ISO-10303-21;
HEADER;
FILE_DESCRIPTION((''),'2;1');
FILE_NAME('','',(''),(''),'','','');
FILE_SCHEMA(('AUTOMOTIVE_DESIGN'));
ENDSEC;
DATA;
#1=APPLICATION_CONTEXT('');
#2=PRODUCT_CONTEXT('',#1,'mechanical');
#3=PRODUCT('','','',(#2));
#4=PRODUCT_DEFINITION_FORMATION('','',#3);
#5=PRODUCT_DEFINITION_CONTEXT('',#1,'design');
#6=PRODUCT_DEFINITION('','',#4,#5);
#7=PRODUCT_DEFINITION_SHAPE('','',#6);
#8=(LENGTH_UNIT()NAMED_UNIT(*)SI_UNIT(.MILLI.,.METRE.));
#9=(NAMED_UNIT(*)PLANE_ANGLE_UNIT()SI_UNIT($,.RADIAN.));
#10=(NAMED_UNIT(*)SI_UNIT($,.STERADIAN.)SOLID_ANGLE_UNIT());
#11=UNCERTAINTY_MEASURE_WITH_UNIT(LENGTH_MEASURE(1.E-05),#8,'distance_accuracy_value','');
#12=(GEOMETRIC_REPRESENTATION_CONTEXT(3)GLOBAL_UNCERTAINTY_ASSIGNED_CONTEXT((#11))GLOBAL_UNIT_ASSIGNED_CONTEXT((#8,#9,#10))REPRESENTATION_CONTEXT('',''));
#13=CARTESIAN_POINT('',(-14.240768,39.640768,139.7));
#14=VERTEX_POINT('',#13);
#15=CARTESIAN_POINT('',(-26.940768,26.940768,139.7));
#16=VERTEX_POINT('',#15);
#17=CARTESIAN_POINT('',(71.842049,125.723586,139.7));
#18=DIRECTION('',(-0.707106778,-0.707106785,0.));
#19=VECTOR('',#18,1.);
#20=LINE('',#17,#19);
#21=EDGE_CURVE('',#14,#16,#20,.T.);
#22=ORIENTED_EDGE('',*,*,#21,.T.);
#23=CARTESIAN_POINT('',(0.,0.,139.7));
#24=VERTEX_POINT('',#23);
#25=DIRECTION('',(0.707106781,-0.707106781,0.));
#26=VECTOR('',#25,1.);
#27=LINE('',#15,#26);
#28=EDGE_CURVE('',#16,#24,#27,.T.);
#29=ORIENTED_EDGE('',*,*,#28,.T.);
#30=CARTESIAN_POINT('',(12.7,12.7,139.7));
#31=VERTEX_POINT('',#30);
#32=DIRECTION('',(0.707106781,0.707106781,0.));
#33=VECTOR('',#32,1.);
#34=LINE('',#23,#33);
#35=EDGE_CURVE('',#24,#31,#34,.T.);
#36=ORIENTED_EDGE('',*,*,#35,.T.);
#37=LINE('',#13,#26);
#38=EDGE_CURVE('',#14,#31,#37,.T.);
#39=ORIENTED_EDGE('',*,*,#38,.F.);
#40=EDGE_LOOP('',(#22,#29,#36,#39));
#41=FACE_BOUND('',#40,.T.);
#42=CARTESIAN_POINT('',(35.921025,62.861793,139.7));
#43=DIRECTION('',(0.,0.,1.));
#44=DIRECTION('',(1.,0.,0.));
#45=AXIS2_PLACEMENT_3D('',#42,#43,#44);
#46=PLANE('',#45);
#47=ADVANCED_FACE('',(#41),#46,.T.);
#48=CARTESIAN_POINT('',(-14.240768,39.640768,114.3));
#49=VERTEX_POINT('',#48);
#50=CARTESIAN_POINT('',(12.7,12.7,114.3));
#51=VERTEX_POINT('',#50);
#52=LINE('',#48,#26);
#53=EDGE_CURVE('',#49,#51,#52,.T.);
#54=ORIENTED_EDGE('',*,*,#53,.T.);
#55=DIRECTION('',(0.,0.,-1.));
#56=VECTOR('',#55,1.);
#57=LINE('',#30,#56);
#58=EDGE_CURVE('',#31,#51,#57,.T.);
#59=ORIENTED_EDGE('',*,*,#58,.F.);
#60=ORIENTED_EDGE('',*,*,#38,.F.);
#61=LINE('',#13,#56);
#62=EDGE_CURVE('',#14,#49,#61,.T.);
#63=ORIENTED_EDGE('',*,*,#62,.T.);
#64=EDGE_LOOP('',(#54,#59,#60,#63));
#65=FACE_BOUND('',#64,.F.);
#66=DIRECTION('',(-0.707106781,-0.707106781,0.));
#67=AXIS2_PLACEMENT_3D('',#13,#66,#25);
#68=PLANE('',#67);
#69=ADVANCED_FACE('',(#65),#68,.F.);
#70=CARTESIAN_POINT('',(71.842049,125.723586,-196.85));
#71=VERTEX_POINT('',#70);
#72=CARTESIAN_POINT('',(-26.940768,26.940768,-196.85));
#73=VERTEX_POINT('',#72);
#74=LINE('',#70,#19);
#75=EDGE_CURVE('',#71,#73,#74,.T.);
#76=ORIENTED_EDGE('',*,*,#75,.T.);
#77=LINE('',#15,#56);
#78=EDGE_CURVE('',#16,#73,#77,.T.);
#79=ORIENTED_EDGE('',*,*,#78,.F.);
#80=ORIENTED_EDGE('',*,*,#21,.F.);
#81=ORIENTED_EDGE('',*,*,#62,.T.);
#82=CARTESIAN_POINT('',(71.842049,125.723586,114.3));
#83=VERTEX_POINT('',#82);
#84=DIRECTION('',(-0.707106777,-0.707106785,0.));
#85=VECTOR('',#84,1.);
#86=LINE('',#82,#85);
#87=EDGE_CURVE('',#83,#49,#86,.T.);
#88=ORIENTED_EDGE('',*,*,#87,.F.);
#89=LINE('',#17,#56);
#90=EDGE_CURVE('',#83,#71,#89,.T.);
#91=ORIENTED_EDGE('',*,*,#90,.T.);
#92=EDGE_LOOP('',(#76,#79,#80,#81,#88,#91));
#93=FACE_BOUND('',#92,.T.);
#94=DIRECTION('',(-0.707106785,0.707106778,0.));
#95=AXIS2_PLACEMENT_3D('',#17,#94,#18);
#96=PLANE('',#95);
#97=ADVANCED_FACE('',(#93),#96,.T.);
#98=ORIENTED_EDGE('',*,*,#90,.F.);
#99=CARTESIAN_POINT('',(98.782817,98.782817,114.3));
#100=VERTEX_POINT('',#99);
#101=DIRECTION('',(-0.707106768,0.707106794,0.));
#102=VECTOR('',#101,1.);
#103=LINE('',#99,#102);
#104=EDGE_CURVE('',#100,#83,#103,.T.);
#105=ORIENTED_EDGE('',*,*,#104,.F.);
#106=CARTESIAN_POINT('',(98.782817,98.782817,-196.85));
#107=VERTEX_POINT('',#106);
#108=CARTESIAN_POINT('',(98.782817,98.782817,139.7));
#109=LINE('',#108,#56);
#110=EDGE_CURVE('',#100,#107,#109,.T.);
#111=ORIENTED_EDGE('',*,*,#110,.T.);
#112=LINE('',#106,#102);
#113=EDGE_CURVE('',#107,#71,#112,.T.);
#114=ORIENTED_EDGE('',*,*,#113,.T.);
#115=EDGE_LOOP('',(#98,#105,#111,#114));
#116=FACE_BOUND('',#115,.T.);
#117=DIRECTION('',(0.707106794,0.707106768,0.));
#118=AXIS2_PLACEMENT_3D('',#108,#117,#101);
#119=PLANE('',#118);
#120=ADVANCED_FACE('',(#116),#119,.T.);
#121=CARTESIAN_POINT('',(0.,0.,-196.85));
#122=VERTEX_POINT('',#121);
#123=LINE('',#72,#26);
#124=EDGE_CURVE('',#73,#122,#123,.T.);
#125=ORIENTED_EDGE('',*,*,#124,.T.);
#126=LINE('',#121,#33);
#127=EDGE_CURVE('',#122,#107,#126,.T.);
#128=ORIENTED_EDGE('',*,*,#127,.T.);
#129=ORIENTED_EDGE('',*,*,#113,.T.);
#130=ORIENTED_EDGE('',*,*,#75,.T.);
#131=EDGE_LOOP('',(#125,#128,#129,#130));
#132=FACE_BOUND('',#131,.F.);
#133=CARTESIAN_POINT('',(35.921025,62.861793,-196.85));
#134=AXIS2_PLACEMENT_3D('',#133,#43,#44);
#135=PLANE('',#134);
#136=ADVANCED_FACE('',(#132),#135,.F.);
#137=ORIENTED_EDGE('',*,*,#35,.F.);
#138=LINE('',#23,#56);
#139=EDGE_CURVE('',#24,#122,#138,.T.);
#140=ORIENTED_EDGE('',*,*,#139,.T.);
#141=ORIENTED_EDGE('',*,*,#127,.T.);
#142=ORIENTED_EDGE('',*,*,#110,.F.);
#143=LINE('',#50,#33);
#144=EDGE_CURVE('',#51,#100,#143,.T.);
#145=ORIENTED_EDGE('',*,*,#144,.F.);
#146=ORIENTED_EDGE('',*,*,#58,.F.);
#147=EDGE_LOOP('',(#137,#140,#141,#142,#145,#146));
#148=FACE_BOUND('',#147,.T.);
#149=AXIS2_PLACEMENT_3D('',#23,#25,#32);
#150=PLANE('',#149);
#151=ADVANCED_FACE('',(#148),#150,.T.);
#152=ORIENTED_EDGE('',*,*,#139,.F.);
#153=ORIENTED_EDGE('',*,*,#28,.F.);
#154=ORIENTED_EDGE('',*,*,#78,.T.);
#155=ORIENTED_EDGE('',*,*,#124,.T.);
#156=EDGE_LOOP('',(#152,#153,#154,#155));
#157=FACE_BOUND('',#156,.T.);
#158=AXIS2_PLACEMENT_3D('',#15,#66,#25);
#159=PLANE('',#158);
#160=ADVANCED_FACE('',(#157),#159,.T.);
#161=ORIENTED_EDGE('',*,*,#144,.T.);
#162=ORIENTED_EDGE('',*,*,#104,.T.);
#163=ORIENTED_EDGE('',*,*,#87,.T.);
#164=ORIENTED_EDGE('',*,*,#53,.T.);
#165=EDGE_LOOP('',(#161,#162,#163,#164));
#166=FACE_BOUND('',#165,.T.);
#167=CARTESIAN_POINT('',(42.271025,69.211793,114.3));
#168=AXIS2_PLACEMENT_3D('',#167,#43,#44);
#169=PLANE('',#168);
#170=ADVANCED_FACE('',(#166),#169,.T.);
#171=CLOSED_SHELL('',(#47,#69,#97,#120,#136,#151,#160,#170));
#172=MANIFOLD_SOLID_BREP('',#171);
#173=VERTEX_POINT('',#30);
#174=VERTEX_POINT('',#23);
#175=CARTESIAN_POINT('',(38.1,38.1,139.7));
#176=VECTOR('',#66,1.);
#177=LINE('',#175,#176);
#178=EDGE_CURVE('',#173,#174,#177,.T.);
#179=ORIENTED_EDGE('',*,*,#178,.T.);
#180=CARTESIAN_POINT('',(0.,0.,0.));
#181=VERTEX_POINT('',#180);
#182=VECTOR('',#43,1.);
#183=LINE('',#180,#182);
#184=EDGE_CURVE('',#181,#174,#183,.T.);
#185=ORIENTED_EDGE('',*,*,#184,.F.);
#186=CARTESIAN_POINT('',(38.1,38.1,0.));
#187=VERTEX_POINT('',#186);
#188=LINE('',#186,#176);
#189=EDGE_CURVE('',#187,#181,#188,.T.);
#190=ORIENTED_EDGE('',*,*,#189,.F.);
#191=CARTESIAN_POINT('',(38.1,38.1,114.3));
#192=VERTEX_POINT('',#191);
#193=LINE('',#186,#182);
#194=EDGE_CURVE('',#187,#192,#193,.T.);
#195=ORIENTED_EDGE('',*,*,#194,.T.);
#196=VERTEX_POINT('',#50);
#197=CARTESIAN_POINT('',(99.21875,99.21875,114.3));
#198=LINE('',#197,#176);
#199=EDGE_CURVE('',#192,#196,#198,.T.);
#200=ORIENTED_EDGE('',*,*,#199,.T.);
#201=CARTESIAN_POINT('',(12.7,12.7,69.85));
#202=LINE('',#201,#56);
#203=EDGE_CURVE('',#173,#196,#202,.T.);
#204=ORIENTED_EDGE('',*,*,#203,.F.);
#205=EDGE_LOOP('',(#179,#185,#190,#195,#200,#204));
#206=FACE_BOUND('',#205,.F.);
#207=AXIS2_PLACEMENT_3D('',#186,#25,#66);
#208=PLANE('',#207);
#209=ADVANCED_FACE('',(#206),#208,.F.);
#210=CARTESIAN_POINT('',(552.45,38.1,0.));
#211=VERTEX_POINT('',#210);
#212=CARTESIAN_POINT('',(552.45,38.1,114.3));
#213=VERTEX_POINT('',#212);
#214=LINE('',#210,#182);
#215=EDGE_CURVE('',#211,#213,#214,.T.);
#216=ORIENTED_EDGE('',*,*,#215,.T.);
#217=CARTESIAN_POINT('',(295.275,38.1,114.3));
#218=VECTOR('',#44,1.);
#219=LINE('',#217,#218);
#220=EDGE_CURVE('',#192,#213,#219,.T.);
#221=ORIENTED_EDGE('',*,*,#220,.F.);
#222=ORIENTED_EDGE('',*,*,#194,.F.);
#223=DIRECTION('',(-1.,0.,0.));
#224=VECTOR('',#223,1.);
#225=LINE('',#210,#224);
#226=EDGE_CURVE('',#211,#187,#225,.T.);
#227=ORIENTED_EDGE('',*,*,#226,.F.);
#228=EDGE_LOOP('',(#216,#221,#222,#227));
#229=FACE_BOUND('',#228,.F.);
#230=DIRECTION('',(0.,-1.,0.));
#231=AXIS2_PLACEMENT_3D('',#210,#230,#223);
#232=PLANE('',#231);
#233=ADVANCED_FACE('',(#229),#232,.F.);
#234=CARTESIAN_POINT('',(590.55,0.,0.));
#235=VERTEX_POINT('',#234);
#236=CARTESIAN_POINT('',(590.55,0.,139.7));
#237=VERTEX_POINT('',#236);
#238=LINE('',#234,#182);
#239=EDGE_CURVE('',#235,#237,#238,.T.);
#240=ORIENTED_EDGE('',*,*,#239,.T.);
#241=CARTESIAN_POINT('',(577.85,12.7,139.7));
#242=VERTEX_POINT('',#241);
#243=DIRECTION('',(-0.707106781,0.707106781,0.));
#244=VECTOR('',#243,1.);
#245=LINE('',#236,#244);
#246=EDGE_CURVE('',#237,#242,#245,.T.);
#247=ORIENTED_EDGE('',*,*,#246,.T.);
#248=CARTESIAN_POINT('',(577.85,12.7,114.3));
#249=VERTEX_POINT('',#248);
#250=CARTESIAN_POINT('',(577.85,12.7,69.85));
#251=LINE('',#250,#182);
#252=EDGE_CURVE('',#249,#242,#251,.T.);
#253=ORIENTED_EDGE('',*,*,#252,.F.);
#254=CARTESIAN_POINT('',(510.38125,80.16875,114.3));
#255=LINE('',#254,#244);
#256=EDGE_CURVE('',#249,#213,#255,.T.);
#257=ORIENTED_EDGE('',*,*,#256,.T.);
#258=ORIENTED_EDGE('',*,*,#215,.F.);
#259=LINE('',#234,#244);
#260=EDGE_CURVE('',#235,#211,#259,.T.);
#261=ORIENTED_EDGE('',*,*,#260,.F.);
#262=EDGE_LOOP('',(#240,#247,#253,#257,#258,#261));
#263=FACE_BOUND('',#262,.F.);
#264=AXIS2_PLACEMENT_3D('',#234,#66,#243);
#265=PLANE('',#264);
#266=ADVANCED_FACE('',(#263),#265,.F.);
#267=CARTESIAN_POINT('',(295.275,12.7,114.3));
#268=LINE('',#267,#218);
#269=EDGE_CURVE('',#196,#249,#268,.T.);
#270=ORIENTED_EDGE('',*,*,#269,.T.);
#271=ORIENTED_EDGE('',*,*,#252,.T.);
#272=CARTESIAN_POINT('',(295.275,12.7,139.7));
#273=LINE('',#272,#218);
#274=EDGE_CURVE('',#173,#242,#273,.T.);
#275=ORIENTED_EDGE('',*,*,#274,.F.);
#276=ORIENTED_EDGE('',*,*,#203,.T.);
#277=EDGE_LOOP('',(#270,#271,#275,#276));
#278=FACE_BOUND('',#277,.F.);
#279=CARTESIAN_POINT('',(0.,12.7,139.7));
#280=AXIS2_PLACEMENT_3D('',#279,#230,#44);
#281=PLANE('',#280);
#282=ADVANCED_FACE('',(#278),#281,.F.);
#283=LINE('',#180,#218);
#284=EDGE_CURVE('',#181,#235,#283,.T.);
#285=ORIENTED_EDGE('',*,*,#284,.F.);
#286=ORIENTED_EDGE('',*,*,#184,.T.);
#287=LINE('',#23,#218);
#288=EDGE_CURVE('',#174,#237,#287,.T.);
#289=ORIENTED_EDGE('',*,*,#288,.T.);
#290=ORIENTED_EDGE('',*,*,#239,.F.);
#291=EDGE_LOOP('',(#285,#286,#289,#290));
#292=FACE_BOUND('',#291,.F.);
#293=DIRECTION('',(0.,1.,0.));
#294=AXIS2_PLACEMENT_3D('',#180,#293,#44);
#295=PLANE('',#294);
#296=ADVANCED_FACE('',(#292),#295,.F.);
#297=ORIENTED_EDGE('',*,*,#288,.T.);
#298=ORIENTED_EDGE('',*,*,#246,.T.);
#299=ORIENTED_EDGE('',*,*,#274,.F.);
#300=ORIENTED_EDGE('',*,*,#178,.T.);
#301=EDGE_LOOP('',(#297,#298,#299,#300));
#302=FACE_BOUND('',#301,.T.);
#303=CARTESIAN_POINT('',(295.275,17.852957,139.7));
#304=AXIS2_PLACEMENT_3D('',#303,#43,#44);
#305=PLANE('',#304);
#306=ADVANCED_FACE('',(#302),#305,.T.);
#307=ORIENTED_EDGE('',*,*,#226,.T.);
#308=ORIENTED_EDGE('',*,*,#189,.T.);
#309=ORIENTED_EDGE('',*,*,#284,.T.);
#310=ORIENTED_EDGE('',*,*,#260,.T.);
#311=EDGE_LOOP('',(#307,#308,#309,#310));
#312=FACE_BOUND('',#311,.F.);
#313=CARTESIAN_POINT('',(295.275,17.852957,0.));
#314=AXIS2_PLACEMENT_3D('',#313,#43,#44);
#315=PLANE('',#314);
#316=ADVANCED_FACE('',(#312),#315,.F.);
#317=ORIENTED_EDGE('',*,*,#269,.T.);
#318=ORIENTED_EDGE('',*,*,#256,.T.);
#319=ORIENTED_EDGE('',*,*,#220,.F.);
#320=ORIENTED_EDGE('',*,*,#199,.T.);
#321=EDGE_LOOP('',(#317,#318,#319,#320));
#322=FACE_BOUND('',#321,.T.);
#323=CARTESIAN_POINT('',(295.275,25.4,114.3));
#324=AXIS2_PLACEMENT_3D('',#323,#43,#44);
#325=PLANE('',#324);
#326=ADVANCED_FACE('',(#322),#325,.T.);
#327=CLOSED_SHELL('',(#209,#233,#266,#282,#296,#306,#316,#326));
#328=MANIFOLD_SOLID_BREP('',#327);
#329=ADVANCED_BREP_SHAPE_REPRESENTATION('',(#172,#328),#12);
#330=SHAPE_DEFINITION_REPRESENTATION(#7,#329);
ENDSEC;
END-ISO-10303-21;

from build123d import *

# Parameters (mm, degrees)
F1_DEPTH = 139.7
F2_W     = 590.55
F2_H     = 25.4
F3_DEPTH = 25.4
F5_DEPTH = 336.55
F7_DEPTH = 25.4


with BuildPart() as f1:
    # F0 (on Top) → F1 (new body)
    with BuildSketch(Plane.XY):
        Polygon((38.1, 38.1), (0, 0), (590.55, 0), (552.45, 38.1), align=None)
    extrude(amount=F1_DEPTH)

    # F2 (on face) → F3 (cut)
    with BuildSketch(Plane.XY.offset(139.7)):
        with Locations((295.275, 25.4)):
            Rectangle(F2_W, F2_H)
    extrude(amount=-F3_DEPTH, mode=Mode.SUBTRACT)


with BuildPart() as f5:
    # F4 (on face) → F5 (new body)
    with BuildSketch(Plane.XY.offset(139.7)):
        Polygon((-26.940768, 26.940768), (0, 0), (98.782817, 98.782817), (71.842049, 125.723586), align=None)
    extrude(amount=-F5_DEPTH)

    # F6 (on face) → F7 (cut)
    with BuildSketch(Plane.XY.offset(139.7)):
        Polygon((98.782817, 98.782817), (71.842049, 125.723586), (-14.240768, 39.640768), (12.7, 12.7), align=None)
    extrude(amount=-F7_DEPTH, mode=Mode.SUBTRACT)


solid = Compound([f1.part, f5.part])
